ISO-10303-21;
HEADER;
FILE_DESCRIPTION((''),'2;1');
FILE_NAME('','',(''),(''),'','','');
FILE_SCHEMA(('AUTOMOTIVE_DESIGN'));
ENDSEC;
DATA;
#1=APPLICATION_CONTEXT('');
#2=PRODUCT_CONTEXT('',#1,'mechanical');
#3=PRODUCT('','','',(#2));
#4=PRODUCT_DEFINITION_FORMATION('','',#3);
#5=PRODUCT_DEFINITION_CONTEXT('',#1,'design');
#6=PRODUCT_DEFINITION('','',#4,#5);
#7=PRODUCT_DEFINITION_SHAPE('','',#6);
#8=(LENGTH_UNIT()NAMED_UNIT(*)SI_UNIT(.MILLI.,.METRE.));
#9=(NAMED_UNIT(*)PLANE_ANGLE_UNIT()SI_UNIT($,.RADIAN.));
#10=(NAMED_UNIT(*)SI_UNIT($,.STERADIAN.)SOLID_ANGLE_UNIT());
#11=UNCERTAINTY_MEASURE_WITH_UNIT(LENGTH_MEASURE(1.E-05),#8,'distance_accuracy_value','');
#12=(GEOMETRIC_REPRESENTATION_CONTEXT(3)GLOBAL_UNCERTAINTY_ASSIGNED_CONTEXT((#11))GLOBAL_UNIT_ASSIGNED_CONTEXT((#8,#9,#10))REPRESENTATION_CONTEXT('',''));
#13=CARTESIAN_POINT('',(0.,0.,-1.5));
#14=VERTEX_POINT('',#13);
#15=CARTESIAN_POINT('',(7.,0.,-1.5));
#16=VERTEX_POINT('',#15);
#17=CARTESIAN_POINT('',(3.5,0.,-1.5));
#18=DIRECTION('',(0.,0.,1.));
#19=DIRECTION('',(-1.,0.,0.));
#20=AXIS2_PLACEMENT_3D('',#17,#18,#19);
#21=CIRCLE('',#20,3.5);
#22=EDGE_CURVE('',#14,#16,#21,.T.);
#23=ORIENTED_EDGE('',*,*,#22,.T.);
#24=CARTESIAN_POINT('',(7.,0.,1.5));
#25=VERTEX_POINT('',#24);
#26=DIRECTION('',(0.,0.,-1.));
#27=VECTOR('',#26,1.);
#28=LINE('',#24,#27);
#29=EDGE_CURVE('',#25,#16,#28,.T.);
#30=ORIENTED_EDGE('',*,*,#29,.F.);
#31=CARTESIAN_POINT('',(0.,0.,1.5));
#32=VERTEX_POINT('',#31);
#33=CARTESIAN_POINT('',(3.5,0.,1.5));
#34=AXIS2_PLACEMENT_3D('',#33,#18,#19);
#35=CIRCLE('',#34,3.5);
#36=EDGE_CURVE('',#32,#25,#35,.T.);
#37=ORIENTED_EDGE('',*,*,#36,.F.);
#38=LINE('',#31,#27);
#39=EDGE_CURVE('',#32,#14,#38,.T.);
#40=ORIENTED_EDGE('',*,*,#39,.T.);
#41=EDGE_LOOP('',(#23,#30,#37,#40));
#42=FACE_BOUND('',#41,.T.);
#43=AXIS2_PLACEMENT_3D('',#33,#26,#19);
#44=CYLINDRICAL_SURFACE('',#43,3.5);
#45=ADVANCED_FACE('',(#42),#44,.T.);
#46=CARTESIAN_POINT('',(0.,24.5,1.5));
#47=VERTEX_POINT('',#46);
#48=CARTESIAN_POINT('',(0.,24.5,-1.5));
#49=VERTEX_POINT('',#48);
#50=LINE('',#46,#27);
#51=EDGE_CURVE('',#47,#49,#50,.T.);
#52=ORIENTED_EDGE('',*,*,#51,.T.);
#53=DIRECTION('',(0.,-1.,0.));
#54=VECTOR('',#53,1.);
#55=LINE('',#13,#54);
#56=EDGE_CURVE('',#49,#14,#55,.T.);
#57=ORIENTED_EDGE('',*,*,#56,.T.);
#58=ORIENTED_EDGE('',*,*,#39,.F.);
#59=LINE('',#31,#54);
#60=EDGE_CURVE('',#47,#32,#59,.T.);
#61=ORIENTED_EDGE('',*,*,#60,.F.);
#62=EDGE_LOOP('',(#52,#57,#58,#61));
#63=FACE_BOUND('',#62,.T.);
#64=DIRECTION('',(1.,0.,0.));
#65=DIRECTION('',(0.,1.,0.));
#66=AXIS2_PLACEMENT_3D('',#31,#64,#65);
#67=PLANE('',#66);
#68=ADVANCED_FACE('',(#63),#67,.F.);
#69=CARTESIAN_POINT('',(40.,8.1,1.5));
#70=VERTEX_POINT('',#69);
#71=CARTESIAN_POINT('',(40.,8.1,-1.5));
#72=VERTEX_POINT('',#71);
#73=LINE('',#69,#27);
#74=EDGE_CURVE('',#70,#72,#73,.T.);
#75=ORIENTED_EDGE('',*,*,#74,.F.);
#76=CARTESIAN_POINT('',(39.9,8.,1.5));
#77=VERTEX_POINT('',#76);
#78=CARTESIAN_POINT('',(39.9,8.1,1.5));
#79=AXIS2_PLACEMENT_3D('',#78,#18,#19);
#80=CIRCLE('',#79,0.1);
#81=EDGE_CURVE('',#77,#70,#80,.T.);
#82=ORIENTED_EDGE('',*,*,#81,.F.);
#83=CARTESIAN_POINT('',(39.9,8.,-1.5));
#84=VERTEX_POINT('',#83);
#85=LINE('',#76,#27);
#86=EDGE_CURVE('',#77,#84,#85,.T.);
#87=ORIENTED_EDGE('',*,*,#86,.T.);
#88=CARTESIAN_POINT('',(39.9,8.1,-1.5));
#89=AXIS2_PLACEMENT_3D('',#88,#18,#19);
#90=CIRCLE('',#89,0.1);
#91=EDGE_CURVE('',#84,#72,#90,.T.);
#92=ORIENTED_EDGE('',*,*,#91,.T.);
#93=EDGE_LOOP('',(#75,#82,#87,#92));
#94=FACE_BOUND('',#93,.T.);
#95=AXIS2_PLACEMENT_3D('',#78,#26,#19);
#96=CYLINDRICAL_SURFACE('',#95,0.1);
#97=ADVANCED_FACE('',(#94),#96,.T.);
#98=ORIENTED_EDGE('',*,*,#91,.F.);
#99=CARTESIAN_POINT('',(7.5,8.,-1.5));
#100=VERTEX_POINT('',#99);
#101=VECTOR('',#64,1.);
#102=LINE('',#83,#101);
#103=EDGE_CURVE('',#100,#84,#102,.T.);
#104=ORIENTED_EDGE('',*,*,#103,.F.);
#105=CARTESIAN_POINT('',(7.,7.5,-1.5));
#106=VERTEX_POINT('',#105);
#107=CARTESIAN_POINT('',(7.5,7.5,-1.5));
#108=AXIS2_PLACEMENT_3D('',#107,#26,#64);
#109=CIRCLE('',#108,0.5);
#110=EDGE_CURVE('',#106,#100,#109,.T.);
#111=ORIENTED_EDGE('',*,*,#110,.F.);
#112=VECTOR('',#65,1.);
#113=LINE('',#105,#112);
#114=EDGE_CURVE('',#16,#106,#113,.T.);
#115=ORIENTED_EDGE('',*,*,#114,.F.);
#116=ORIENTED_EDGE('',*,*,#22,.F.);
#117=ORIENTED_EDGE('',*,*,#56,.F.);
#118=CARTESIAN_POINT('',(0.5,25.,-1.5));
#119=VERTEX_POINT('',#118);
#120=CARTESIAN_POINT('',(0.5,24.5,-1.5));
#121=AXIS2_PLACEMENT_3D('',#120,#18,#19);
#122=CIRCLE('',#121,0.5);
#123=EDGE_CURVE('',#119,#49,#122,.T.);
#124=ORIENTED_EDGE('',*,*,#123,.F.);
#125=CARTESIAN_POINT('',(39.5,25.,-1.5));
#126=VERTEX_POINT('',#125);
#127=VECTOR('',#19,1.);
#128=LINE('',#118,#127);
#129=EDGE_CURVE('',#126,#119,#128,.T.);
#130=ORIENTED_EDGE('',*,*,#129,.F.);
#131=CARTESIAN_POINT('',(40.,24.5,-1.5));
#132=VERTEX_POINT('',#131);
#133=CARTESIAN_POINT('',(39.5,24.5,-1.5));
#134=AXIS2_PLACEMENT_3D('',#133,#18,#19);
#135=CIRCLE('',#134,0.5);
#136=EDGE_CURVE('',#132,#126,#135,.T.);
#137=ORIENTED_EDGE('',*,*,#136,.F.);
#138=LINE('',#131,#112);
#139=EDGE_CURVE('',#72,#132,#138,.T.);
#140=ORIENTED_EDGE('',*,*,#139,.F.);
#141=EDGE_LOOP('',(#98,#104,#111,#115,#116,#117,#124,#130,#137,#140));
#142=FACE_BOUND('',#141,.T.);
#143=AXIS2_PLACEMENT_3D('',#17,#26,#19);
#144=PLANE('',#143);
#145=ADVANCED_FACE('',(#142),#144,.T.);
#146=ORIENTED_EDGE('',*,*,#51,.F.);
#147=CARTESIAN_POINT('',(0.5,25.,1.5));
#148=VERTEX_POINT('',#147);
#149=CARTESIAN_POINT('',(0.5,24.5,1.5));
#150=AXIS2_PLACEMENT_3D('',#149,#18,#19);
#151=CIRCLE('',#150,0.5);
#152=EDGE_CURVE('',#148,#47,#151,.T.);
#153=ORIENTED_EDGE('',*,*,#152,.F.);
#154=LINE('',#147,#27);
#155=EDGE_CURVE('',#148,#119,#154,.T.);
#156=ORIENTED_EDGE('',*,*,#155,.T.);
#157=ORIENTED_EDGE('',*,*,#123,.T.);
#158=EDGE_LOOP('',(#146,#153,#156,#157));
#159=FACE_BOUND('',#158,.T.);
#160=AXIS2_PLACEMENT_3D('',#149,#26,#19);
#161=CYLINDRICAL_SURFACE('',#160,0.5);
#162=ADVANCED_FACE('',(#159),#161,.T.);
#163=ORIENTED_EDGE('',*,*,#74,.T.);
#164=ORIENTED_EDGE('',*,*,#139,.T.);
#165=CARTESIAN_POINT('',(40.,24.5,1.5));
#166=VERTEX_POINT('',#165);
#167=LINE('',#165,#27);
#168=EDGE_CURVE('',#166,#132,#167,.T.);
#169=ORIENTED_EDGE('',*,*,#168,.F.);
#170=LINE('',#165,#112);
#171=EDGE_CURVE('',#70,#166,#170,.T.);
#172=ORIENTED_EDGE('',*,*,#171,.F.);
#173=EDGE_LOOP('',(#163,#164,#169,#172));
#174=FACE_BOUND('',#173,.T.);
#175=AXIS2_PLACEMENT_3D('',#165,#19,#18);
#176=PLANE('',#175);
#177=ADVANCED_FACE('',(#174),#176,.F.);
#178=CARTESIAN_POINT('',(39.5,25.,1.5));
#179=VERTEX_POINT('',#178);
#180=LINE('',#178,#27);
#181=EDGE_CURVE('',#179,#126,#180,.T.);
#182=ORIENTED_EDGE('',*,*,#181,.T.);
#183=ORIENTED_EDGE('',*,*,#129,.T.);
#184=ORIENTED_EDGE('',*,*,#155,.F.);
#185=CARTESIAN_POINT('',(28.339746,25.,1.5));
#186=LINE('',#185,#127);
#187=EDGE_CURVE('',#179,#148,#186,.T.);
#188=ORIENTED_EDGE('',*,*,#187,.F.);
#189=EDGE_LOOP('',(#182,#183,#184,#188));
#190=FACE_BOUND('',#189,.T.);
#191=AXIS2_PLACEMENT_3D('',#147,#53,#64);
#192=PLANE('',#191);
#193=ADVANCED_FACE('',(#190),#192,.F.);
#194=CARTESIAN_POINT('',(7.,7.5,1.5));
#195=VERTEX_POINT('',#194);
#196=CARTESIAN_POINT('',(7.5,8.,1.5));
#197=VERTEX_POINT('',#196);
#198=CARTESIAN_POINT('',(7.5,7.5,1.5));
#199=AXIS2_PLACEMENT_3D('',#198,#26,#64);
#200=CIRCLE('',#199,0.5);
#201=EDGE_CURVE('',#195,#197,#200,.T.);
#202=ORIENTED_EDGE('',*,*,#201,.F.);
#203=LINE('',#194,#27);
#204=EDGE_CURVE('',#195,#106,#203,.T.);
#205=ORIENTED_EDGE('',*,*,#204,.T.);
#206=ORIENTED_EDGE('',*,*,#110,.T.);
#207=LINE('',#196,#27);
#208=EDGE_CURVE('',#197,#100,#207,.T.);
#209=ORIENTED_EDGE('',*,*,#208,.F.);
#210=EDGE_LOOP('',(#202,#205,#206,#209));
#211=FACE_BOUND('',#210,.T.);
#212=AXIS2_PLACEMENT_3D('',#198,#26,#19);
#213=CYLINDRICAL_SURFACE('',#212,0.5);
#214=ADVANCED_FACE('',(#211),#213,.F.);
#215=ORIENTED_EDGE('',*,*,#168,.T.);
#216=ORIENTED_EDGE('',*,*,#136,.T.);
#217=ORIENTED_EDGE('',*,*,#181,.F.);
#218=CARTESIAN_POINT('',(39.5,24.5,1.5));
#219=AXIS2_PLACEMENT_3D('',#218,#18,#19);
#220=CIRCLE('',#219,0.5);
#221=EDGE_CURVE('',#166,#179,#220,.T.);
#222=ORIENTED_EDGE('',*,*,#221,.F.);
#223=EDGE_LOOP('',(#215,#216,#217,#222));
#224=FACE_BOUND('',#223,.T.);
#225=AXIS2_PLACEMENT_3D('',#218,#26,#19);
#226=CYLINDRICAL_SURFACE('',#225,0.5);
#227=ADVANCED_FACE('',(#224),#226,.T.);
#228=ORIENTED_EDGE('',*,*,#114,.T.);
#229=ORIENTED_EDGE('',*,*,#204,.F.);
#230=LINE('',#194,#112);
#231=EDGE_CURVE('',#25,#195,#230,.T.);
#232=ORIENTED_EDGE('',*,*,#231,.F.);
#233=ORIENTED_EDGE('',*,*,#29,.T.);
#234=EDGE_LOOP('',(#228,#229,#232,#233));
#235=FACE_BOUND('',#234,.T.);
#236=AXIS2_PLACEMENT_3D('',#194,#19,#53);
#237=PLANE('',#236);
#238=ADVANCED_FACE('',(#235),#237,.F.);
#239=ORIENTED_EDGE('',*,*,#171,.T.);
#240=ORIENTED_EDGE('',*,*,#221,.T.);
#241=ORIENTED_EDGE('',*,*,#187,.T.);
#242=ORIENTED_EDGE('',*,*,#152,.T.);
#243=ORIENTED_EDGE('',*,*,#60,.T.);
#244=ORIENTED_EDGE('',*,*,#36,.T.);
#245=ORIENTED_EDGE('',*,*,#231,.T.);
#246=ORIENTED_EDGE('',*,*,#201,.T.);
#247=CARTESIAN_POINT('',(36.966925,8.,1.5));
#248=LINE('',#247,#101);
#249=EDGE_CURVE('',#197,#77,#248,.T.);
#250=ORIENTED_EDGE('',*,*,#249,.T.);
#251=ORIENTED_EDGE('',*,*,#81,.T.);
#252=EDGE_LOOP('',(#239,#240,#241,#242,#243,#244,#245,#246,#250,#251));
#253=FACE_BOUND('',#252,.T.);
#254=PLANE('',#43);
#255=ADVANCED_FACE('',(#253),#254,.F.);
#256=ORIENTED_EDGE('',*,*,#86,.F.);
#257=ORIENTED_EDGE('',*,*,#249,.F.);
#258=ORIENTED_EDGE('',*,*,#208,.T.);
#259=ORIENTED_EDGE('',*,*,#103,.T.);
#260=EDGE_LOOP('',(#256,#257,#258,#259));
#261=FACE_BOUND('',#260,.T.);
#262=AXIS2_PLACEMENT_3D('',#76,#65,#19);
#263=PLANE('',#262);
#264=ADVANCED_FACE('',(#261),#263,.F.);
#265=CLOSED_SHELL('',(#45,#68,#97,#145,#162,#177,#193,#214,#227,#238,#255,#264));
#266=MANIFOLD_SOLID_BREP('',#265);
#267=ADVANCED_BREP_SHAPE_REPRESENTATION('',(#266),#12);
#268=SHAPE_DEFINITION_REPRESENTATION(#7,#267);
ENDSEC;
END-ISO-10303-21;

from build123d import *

# Parameters (mm, degrees)
BODY_DEPTH = 1.5


with BuildPart() as part:
    # Sketch1 → Body (new body, symmetric)
    with BuildSketch(Plane.XY):
        with BuildLine():
            Line((0, 0), (0, 24.5))
            ThreePointArc((0, 24.5), (0.146446609, 24.853553391), (0.5, 25))
            Line((0.5, 25), (28.339745962, 25))
            Line((28.339745962, 25), (39.5, 25))
            ThreePointArc((39.5, 25), (39.853553391, 24.853553391), (40, 24.5))
            Line((40, 24.5), (40, 8.1))
            ThreePointArc((40, 8.1), (39.970710678, 8.029289322), (39.9, 8))
            Line((39.9, 8), (36.966924922, 8))
            Line((36.966924922, 8), (7.5, 8))
            ThreePointArc((7.5, 8), (7.146446609, 7.853553391), (7, 7.5))
            Line((7, 7.5), (7, 0))
            ThreePointArc((7, 0), (3.5, -3.5), (0, 0))
        make_face()
    extrude(amount=BODY_DEPTH, both=True)


solid = part.part
